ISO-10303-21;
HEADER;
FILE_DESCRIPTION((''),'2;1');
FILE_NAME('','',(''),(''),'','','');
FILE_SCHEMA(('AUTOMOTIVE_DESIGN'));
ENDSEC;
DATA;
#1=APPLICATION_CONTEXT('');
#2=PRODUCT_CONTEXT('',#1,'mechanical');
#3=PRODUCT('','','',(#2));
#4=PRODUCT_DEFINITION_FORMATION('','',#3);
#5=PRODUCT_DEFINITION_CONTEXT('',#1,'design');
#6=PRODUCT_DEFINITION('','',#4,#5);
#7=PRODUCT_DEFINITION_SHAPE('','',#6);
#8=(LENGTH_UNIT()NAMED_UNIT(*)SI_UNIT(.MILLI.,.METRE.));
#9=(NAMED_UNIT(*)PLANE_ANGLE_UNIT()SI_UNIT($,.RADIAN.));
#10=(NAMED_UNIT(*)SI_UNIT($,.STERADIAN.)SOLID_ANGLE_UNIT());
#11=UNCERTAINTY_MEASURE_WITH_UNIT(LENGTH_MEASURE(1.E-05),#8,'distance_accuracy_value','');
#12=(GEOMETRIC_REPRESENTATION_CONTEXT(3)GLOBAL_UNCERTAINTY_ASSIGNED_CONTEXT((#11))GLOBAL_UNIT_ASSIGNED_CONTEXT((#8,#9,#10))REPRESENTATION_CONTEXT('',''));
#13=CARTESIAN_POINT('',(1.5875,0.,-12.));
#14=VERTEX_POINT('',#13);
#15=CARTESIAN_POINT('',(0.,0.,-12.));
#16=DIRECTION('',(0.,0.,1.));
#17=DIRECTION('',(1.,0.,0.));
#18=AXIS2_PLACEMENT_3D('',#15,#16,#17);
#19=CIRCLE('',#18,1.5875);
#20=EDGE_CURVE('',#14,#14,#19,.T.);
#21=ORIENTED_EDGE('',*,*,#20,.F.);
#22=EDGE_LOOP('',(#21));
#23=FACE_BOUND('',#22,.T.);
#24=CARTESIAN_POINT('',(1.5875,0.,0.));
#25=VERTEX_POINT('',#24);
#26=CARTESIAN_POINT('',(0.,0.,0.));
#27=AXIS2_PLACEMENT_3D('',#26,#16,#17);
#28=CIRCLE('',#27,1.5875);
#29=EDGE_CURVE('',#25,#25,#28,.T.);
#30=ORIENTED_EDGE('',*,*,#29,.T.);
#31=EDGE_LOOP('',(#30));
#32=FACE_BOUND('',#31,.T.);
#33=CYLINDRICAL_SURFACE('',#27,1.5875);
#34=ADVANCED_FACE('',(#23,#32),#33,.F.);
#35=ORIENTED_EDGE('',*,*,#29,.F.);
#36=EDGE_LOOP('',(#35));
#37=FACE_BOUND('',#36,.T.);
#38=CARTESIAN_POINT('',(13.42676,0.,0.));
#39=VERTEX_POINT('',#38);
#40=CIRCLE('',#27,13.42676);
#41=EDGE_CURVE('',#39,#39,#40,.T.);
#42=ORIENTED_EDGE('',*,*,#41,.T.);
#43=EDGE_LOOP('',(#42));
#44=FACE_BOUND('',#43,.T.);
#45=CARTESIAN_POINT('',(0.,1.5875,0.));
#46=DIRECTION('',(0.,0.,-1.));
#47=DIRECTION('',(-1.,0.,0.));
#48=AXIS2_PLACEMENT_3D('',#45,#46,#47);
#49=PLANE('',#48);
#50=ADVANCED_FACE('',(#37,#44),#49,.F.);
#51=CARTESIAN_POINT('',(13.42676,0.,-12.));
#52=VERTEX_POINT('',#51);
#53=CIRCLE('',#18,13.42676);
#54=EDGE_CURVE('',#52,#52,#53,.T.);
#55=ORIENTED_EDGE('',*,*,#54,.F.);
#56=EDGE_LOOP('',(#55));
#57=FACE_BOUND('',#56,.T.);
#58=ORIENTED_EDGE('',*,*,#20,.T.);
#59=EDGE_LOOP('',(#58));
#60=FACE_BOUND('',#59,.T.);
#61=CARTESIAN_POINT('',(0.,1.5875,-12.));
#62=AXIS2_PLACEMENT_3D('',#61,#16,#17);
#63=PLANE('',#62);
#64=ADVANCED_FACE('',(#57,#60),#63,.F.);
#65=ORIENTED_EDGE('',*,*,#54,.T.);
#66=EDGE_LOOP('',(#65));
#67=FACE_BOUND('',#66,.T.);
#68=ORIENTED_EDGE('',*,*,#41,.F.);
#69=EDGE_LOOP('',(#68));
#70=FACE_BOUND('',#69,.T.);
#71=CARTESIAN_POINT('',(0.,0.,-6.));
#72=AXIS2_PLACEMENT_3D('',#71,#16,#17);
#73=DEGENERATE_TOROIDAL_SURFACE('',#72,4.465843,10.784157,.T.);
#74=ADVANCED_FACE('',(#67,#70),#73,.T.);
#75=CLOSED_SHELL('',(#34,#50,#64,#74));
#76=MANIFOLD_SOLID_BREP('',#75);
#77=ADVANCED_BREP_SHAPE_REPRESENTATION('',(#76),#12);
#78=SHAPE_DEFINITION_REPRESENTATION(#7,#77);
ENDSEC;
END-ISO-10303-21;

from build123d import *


with BuildPart() as part:
    # Sketch1 → Revolve1 (revolve)
    with BuildSketch(Plane(origin=(0, 0, 0), x_dir=(0, 0, -1), z_dir=(1, 0, 0)), mode=Mode.PRIVATE) as revolve1_sk:
        with BuildLine():
            Line((0, 1.5875), (0, 13.42676048))
            ThreePointArc((0, 13.42676048), (6, 15.25), (12, 13.42676048))
            Line((12, 13.42676048), (12, 1.5875))
            Line((12, 1.5875), (0, 1.5875))
        make_face()
    revolve(revolve1_sk.sketch.rotate(Axis((0, 0, 0), (0, 0, -1)), 90), axis=Axis((0, 0, 0), (0, 0, -1)))


solid = part.part
